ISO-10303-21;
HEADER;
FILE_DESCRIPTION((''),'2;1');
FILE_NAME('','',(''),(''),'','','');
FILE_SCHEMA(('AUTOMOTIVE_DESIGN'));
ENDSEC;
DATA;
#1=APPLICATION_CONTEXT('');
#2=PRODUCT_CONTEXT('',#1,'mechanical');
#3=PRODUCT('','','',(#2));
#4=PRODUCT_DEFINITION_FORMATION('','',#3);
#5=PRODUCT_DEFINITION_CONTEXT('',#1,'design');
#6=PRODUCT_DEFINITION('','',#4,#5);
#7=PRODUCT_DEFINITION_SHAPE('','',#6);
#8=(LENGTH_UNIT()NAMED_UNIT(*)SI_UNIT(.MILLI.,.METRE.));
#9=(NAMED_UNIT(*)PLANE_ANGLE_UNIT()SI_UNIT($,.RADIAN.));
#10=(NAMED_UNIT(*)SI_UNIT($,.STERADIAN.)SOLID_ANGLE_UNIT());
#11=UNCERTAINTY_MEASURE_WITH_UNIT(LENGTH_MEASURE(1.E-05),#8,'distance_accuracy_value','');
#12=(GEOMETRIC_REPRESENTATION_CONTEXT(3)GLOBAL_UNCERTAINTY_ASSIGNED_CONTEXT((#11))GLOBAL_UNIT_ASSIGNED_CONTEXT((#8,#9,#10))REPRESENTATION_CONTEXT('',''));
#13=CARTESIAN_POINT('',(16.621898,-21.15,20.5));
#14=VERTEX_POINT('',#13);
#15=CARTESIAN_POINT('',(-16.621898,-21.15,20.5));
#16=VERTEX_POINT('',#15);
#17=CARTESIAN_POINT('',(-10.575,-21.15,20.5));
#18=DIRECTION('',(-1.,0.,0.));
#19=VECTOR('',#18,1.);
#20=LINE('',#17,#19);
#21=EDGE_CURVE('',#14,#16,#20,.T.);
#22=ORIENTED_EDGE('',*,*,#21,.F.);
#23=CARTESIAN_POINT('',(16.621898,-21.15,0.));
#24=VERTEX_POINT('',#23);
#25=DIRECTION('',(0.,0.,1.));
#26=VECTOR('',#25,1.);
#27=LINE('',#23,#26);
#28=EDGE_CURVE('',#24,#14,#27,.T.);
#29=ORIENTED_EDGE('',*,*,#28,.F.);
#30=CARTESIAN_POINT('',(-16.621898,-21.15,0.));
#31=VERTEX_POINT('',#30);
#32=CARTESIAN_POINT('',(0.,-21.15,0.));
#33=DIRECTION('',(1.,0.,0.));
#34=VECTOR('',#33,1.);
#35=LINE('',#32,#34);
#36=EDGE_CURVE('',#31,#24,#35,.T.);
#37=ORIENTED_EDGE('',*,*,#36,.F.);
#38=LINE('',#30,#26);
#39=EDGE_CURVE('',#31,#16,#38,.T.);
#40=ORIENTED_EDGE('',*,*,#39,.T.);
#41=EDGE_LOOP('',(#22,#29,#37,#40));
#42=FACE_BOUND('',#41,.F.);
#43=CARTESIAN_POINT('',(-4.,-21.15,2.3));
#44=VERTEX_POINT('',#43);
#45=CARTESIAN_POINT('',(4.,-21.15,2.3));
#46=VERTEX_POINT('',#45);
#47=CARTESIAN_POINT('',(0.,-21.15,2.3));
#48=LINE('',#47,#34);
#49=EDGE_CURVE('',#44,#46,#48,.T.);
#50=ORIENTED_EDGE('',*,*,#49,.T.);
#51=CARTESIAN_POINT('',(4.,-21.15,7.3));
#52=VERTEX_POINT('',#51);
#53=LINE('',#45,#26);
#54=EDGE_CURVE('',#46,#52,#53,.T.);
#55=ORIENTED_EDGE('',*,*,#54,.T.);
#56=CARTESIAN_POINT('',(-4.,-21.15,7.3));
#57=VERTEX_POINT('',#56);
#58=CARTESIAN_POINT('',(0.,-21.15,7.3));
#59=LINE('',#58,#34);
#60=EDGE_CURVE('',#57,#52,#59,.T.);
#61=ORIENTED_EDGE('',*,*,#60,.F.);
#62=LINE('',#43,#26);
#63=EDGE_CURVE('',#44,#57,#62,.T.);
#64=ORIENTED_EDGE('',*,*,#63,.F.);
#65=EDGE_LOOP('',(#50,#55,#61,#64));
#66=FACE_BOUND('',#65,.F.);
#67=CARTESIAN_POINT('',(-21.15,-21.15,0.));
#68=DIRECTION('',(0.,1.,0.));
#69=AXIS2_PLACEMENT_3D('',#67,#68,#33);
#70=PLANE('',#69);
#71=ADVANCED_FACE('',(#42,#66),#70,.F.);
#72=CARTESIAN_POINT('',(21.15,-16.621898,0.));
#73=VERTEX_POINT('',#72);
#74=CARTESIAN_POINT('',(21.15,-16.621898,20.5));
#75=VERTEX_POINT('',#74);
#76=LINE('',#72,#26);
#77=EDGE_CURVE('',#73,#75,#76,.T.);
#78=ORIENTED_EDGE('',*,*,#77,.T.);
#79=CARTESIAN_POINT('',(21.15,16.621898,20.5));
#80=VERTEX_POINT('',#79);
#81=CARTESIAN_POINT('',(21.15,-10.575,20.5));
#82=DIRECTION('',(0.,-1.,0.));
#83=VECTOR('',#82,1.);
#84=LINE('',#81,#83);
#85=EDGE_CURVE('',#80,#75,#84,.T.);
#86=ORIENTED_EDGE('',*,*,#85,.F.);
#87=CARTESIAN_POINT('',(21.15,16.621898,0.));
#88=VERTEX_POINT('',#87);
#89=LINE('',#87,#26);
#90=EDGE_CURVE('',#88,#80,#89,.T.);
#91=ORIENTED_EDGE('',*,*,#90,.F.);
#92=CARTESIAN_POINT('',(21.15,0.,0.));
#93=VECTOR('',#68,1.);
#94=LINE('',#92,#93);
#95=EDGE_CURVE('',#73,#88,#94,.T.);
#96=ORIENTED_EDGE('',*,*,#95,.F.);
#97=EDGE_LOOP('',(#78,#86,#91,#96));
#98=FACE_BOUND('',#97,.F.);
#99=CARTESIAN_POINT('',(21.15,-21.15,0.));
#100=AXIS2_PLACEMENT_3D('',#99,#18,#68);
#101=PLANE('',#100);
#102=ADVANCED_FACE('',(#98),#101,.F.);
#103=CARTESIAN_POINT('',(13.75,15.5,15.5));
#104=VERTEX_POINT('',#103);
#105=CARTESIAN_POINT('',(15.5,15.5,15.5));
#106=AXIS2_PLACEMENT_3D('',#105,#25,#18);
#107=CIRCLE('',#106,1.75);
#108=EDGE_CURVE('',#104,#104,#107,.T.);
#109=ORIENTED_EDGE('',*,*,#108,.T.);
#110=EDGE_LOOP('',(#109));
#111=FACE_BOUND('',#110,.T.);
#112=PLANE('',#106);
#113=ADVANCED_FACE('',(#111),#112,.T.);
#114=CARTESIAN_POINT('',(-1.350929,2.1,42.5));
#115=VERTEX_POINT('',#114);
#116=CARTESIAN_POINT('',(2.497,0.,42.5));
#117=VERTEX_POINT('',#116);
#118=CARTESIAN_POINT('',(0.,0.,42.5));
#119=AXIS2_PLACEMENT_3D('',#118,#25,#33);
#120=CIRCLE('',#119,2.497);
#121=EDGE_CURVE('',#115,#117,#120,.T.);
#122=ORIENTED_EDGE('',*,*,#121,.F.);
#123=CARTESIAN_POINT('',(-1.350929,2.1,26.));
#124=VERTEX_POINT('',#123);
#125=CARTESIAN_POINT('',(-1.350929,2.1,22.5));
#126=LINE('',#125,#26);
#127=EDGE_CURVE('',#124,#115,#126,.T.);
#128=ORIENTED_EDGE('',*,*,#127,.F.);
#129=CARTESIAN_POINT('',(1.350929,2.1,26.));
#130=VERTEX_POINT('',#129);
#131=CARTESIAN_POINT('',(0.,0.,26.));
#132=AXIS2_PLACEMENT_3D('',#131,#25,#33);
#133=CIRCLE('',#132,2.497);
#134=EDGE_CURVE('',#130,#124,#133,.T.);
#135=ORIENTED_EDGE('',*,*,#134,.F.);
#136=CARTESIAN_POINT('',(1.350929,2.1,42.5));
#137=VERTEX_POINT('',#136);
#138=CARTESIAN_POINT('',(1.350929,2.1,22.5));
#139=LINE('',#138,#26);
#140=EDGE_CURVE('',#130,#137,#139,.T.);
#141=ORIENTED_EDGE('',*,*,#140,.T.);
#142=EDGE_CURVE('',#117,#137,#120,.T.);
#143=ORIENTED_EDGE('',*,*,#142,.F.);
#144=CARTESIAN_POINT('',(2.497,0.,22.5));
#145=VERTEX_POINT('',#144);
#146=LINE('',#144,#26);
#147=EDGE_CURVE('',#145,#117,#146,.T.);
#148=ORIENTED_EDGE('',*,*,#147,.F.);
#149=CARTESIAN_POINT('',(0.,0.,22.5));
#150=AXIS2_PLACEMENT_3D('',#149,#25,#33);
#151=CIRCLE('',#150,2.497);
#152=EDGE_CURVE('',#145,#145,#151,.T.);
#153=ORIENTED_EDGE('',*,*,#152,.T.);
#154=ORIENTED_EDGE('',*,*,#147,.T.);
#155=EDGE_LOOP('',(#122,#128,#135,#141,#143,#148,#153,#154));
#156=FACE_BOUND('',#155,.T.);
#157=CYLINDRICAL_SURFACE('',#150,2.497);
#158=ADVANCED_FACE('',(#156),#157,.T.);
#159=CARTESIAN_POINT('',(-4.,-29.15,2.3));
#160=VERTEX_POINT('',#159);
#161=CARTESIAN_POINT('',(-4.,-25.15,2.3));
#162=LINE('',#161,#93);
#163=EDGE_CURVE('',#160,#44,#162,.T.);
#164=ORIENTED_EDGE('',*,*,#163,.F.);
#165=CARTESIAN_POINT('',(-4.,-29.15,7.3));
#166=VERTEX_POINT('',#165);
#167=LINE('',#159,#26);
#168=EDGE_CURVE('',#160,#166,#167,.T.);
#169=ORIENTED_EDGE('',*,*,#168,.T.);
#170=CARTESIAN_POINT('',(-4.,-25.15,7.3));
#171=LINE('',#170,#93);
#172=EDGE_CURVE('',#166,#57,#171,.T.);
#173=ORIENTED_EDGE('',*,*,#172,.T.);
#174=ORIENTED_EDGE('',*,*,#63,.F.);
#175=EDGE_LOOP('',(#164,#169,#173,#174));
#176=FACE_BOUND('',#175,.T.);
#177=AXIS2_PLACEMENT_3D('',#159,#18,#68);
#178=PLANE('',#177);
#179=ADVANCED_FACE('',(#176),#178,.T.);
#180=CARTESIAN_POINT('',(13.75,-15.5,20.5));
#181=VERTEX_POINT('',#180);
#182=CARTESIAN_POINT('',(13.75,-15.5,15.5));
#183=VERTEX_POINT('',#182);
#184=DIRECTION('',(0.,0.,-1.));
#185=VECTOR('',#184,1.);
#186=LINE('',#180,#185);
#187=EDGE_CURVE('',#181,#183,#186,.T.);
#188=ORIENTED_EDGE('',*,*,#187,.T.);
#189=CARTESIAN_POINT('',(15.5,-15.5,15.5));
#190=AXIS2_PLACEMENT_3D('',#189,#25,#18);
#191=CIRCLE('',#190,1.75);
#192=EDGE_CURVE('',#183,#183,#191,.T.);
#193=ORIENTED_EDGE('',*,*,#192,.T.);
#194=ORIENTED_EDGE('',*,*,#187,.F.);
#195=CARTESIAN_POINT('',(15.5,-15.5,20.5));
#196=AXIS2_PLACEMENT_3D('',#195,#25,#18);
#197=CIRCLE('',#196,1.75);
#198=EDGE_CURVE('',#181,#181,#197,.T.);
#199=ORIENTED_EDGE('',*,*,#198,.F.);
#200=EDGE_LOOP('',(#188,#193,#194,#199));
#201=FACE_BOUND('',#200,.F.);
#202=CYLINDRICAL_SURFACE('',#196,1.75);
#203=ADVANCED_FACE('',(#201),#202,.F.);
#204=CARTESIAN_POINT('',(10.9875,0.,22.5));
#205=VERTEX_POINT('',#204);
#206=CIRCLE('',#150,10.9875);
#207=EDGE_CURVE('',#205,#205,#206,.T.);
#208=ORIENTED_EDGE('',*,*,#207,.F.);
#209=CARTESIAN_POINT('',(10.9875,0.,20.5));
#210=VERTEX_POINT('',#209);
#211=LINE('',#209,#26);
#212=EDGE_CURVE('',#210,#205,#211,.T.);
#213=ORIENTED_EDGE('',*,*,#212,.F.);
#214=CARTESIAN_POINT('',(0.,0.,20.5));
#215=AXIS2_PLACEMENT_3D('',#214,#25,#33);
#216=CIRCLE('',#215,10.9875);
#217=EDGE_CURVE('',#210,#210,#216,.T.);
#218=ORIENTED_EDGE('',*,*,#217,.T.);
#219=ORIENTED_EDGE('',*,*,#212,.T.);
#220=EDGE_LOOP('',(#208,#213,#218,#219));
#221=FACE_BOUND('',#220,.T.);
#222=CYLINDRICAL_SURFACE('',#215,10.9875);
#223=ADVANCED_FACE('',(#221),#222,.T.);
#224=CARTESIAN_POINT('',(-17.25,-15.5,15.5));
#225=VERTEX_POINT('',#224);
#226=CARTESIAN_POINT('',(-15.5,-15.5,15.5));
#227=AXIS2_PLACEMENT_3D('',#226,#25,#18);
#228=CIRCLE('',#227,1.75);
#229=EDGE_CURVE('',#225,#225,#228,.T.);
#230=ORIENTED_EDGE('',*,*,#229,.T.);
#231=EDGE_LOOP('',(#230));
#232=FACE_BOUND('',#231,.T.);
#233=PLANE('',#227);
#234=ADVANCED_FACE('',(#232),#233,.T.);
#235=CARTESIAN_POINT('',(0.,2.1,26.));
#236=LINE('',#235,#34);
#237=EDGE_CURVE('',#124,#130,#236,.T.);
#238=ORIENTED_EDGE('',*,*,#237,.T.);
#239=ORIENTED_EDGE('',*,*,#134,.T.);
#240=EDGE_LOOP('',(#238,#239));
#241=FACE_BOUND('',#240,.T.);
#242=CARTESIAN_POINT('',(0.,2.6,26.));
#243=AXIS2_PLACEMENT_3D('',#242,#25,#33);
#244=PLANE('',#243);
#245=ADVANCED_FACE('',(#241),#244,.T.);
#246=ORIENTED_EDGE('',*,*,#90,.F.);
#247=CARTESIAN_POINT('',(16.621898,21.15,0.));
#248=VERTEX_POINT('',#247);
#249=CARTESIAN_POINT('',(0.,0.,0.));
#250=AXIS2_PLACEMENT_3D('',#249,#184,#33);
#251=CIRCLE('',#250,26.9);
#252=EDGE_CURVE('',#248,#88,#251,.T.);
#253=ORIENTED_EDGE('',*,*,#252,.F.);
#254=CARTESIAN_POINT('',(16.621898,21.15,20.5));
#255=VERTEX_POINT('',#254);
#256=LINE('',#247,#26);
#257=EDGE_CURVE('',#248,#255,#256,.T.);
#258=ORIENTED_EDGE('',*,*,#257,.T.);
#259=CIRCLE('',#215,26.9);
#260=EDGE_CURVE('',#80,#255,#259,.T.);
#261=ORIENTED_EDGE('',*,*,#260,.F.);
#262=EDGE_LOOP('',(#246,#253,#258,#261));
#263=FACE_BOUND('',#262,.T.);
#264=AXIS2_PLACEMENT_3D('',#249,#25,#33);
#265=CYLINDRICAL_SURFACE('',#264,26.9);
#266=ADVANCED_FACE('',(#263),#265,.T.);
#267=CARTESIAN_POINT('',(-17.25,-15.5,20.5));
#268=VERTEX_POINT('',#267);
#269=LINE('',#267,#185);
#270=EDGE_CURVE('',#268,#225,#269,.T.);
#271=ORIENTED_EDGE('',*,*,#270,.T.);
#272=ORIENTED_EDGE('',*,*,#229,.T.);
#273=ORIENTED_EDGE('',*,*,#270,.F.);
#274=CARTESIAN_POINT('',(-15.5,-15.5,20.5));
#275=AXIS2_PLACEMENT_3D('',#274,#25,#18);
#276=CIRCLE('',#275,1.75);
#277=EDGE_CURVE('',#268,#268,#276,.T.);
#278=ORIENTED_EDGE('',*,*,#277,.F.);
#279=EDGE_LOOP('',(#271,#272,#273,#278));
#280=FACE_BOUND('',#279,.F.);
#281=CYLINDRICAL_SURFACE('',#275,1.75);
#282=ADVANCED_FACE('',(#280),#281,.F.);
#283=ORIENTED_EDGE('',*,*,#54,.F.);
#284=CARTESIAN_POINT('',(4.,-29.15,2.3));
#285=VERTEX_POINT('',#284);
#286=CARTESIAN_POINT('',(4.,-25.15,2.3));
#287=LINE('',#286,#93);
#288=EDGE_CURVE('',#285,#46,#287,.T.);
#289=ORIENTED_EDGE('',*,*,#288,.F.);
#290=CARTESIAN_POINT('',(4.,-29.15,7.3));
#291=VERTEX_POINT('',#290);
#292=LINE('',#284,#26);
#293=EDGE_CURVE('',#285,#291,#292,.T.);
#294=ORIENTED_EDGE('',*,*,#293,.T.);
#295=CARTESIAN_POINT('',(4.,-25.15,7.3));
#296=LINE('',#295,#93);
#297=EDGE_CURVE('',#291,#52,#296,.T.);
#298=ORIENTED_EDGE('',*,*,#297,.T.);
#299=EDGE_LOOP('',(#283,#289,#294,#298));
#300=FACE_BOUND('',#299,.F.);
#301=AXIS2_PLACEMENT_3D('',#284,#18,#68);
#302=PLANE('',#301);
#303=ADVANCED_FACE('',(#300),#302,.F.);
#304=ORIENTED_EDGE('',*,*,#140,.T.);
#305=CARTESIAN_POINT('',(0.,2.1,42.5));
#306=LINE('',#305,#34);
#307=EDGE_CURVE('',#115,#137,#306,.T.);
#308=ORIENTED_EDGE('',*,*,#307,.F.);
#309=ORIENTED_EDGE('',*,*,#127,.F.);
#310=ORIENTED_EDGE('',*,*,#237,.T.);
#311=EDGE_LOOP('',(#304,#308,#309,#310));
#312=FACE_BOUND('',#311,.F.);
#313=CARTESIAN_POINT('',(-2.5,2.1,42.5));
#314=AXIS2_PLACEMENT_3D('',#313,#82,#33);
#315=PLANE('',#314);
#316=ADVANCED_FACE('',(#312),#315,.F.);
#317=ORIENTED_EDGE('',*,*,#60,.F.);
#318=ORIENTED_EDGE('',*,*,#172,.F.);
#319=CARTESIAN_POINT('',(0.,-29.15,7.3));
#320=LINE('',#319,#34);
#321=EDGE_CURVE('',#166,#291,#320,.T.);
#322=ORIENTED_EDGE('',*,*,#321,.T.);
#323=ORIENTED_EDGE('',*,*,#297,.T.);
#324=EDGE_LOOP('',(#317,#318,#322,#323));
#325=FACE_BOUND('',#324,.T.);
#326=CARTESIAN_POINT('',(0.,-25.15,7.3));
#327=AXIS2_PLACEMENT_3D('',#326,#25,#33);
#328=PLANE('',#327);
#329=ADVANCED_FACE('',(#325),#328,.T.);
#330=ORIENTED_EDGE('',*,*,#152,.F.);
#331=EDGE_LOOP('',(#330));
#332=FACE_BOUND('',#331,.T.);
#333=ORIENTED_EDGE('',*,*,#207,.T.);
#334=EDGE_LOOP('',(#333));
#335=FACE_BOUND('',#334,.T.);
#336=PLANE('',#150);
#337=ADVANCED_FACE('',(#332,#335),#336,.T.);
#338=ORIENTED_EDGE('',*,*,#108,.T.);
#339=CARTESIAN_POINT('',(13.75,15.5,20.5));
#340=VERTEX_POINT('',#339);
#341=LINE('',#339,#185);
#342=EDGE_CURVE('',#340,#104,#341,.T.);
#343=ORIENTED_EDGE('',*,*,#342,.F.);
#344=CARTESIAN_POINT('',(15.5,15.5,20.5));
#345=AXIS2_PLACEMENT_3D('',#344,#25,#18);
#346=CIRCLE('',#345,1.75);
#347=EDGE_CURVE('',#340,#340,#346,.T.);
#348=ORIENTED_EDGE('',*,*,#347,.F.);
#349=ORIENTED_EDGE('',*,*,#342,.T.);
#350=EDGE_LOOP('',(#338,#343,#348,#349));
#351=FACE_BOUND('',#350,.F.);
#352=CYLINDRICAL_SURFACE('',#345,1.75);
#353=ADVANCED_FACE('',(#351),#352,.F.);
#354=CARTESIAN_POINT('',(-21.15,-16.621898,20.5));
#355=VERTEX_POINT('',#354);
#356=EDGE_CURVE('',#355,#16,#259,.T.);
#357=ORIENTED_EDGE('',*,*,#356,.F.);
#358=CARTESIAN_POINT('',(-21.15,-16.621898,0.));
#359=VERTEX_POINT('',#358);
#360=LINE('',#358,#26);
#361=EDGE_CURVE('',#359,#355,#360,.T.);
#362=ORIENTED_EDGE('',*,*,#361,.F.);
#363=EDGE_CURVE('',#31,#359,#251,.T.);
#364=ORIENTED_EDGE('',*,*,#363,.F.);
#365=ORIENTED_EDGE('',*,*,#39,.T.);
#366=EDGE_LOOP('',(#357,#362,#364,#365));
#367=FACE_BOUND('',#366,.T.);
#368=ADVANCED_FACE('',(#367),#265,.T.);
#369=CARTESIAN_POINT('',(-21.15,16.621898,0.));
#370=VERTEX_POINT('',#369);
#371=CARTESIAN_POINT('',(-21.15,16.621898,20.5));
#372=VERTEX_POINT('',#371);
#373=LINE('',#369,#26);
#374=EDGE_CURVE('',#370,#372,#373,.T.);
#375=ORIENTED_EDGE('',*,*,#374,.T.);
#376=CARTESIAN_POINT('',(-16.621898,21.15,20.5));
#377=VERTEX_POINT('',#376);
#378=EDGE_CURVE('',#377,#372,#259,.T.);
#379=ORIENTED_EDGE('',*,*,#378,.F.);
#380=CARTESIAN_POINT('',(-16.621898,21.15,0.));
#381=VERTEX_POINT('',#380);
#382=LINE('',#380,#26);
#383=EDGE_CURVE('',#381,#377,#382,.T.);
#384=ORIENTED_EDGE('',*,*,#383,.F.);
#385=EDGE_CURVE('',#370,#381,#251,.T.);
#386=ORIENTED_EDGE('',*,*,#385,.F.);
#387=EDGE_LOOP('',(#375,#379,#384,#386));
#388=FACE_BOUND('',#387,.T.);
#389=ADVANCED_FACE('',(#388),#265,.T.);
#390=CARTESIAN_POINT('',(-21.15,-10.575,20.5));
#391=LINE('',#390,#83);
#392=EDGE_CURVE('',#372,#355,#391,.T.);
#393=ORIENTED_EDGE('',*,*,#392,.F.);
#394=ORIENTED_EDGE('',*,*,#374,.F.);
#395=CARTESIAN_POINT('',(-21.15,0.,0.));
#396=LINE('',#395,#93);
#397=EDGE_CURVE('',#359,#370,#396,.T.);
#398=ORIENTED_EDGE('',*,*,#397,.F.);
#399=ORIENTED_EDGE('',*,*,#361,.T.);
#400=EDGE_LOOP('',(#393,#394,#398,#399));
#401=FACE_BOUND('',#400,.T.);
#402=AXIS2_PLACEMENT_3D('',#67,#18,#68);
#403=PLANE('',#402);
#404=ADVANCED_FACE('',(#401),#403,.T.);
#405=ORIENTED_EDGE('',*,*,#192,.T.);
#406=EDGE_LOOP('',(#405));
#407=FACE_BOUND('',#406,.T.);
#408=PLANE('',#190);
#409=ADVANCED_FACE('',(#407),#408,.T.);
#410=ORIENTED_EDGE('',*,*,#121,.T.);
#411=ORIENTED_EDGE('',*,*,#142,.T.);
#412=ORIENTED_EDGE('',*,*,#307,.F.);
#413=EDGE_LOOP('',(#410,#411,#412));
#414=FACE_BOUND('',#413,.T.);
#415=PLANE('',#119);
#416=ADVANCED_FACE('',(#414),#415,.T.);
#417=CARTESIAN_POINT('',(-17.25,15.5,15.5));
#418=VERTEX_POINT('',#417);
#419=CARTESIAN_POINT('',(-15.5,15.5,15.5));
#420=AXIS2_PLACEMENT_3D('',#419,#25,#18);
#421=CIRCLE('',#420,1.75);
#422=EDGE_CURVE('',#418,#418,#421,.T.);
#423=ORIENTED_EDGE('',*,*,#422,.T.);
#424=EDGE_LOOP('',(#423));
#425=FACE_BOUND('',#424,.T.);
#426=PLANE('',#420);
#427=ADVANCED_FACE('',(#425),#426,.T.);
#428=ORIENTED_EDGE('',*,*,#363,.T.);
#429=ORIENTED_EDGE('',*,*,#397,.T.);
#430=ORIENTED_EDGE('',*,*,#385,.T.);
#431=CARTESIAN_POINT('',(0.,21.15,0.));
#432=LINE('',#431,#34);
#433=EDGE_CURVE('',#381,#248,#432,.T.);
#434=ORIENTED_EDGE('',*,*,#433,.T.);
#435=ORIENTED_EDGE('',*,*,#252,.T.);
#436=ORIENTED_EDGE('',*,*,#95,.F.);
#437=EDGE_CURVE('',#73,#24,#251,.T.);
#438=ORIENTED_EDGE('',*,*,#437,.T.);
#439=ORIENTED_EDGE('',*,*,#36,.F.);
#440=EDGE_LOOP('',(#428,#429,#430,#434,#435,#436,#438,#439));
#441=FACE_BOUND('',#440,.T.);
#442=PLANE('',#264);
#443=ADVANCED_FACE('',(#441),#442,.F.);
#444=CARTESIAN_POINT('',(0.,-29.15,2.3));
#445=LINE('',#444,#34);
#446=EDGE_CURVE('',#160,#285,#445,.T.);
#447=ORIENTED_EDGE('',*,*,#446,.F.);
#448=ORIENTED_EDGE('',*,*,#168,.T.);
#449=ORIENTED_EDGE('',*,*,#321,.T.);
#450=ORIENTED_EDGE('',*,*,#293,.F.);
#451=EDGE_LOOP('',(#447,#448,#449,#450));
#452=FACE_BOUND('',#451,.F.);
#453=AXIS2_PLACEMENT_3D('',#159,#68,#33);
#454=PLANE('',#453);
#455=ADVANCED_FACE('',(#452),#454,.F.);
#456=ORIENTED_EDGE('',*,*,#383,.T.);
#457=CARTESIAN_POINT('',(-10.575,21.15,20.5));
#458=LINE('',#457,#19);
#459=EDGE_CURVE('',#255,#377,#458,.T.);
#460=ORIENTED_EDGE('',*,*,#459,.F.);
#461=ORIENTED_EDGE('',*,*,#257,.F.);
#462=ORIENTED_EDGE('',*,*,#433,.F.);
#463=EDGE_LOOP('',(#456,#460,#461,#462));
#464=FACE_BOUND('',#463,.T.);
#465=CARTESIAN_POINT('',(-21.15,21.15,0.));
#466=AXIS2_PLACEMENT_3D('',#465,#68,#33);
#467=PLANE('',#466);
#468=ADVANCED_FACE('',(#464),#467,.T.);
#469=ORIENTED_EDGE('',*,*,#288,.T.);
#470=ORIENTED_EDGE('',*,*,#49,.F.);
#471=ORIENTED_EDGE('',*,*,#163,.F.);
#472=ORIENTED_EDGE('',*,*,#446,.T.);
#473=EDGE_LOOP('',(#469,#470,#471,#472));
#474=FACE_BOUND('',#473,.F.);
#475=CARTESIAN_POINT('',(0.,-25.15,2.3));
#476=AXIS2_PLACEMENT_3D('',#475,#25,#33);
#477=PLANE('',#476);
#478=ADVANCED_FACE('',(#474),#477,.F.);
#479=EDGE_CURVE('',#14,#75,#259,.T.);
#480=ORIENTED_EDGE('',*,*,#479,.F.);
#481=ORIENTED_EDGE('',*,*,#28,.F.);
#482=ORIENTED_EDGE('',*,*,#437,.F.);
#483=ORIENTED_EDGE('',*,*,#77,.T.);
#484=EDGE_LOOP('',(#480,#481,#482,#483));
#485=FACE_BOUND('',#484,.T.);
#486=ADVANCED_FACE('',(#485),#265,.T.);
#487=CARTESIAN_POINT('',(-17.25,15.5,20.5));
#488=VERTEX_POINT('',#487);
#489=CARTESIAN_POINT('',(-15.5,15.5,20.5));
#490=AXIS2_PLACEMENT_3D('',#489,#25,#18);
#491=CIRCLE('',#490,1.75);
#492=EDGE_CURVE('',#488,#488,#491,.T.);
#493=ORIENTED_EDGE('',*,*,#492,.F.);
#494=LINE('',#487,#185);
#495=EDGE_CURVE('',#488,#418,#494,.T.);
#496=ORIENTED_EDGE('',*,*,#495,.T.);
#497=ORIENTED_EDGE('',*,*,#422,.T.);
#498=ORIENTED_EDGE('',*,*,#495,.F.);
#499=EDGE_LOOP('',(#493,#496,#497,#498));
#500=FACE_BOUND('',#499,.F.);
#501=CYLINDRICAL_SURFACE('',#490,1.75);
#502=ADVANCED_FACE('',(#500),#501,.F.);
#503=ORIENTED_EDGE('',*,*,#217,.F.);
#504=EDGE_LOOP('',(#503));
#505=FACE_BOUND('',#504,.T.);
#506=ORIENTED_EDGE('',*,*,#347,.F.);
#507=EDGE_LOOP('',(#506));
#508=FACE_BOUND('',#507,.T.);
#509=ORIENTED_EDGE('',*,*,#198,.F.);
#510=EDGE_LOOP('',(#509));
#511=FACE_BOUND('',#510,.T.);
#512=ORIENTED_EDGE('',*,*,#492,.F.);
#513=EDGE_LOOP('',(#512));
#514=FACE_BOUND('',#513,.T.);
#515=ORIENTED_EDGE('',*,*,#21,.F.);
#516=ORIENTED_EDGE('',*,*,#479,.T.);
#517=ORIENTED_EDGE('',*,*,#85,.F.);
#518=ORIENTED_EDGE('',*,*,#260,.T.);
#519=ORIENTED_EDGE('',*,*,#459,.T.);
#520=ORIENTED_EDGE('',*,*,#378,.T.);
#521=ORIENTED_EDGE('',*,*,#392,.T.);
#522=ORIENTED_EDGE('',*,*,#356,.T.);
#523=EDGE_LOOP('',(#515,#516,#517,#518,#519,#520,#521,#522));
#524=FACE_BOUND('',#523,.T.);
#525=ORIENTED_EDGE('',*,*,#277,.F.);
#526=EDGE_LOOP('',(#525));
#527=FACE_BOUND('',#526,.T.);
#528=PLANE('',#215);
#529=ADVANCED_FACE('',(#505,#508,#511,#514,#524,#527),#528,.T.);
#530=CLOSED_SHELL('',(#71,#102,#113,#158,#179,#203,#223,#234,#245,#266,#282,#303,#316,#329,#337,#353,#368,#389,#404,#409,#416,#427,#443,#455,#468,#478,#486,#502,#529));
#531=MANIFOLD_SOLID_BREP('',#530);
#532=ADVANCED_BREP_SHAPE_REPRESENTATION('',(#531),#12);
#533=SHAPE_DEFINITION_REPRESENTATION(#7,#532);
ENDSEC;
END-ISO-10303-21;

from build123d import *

# Parameters (mm, degrees)
SKETCH001_W          = 5
SKETCH001_H          = 1
POCKET_DEPTH         = 16.5
SKETCH002_R          = 55
SKETCH002_W          = 42.3
SKETCH002_H          = 42.3
POCKET001_DEPTH      = 0.001
POCKET001_DEPTH_BACK = -42.501
SKETCH003_R          = 1.75
POCKET002_DEPTH      = 5
SKETCH004_W          = 8
SKETCH004_H          = 8
PAD_DEPTH            = 5


with BuildPart() as part:
    # Sketch → Revolution (revolve)
    with BuildSketch(Plane.XZ):
        Polygon((0, 0), (26.9, 0), (26.9, 20.5), (10.9875, 20.5), (10.9875, 22.5), (2.497, 22.5), (2.497, 42.5), (0, 42.5), align=None)
    revolve(axis=Axis((0, 0, 0), (0, 0, 1)))

    # Sketch001 → Pocket (cut)
    with BuildSketch(Plane.XY.offset(42.5)):
        with Locations((0, 2.6)):
            Rectangle(SKETCH001_W, SKETCH001_H)
    extrude(amount=-POCKET_DEPTH, mode=Mode.SUBTRACT)

    # Sketch002 → Pocket001 (cut, two sides)
    with BuildSketch(Plane.XY) as pocket001_sk:
        Circle(SKETCH002_R)
        Rectangle(SKETCH002_W, SKETCH002_H, mode=Mode.SUBTRACT)
    extrude(amount=-POCKET001_DEPTH, mode=Mode.SUBTRACT)
    extrude(pocket001_sk.sketch, amount=-POCKET001_DEPTH_BACK, mode=Mode.SUBTRACT)

    # Sketch003 (on Face10 of Pocket001) → Pocket002 (cut)
    with BuildSketch(Plane(origin=(0, 0, 20.5), x_dir=(-1, 0, 0), z_dir=(0, 0, 1))):
        with Locations((-15.5, 15.5)):
            Circle(SKETCH003_R)
        with Locations((15.5, 15.5)):
            Circle(SKETCH003_R)
        with Locations((15.5, -15.5)):
            Circle(SKETCH003_R)
        with Locations((-15.5, -15.5)):
            Circle(SKETCH003_R)
    extrude(amount=-POCKET002_DEPTH, mode=Mode.SUBTRACT)

    # Sketch004 → Pad (join)
    with BuildSketch(Plane.XY.offset(2.3)):
        with Locations((0, -25.15)):
            Rectangle(SKETCH004_W, SKETCH004_H)
    extrude(amount=PAD_DEPTH)


solid = part.part
